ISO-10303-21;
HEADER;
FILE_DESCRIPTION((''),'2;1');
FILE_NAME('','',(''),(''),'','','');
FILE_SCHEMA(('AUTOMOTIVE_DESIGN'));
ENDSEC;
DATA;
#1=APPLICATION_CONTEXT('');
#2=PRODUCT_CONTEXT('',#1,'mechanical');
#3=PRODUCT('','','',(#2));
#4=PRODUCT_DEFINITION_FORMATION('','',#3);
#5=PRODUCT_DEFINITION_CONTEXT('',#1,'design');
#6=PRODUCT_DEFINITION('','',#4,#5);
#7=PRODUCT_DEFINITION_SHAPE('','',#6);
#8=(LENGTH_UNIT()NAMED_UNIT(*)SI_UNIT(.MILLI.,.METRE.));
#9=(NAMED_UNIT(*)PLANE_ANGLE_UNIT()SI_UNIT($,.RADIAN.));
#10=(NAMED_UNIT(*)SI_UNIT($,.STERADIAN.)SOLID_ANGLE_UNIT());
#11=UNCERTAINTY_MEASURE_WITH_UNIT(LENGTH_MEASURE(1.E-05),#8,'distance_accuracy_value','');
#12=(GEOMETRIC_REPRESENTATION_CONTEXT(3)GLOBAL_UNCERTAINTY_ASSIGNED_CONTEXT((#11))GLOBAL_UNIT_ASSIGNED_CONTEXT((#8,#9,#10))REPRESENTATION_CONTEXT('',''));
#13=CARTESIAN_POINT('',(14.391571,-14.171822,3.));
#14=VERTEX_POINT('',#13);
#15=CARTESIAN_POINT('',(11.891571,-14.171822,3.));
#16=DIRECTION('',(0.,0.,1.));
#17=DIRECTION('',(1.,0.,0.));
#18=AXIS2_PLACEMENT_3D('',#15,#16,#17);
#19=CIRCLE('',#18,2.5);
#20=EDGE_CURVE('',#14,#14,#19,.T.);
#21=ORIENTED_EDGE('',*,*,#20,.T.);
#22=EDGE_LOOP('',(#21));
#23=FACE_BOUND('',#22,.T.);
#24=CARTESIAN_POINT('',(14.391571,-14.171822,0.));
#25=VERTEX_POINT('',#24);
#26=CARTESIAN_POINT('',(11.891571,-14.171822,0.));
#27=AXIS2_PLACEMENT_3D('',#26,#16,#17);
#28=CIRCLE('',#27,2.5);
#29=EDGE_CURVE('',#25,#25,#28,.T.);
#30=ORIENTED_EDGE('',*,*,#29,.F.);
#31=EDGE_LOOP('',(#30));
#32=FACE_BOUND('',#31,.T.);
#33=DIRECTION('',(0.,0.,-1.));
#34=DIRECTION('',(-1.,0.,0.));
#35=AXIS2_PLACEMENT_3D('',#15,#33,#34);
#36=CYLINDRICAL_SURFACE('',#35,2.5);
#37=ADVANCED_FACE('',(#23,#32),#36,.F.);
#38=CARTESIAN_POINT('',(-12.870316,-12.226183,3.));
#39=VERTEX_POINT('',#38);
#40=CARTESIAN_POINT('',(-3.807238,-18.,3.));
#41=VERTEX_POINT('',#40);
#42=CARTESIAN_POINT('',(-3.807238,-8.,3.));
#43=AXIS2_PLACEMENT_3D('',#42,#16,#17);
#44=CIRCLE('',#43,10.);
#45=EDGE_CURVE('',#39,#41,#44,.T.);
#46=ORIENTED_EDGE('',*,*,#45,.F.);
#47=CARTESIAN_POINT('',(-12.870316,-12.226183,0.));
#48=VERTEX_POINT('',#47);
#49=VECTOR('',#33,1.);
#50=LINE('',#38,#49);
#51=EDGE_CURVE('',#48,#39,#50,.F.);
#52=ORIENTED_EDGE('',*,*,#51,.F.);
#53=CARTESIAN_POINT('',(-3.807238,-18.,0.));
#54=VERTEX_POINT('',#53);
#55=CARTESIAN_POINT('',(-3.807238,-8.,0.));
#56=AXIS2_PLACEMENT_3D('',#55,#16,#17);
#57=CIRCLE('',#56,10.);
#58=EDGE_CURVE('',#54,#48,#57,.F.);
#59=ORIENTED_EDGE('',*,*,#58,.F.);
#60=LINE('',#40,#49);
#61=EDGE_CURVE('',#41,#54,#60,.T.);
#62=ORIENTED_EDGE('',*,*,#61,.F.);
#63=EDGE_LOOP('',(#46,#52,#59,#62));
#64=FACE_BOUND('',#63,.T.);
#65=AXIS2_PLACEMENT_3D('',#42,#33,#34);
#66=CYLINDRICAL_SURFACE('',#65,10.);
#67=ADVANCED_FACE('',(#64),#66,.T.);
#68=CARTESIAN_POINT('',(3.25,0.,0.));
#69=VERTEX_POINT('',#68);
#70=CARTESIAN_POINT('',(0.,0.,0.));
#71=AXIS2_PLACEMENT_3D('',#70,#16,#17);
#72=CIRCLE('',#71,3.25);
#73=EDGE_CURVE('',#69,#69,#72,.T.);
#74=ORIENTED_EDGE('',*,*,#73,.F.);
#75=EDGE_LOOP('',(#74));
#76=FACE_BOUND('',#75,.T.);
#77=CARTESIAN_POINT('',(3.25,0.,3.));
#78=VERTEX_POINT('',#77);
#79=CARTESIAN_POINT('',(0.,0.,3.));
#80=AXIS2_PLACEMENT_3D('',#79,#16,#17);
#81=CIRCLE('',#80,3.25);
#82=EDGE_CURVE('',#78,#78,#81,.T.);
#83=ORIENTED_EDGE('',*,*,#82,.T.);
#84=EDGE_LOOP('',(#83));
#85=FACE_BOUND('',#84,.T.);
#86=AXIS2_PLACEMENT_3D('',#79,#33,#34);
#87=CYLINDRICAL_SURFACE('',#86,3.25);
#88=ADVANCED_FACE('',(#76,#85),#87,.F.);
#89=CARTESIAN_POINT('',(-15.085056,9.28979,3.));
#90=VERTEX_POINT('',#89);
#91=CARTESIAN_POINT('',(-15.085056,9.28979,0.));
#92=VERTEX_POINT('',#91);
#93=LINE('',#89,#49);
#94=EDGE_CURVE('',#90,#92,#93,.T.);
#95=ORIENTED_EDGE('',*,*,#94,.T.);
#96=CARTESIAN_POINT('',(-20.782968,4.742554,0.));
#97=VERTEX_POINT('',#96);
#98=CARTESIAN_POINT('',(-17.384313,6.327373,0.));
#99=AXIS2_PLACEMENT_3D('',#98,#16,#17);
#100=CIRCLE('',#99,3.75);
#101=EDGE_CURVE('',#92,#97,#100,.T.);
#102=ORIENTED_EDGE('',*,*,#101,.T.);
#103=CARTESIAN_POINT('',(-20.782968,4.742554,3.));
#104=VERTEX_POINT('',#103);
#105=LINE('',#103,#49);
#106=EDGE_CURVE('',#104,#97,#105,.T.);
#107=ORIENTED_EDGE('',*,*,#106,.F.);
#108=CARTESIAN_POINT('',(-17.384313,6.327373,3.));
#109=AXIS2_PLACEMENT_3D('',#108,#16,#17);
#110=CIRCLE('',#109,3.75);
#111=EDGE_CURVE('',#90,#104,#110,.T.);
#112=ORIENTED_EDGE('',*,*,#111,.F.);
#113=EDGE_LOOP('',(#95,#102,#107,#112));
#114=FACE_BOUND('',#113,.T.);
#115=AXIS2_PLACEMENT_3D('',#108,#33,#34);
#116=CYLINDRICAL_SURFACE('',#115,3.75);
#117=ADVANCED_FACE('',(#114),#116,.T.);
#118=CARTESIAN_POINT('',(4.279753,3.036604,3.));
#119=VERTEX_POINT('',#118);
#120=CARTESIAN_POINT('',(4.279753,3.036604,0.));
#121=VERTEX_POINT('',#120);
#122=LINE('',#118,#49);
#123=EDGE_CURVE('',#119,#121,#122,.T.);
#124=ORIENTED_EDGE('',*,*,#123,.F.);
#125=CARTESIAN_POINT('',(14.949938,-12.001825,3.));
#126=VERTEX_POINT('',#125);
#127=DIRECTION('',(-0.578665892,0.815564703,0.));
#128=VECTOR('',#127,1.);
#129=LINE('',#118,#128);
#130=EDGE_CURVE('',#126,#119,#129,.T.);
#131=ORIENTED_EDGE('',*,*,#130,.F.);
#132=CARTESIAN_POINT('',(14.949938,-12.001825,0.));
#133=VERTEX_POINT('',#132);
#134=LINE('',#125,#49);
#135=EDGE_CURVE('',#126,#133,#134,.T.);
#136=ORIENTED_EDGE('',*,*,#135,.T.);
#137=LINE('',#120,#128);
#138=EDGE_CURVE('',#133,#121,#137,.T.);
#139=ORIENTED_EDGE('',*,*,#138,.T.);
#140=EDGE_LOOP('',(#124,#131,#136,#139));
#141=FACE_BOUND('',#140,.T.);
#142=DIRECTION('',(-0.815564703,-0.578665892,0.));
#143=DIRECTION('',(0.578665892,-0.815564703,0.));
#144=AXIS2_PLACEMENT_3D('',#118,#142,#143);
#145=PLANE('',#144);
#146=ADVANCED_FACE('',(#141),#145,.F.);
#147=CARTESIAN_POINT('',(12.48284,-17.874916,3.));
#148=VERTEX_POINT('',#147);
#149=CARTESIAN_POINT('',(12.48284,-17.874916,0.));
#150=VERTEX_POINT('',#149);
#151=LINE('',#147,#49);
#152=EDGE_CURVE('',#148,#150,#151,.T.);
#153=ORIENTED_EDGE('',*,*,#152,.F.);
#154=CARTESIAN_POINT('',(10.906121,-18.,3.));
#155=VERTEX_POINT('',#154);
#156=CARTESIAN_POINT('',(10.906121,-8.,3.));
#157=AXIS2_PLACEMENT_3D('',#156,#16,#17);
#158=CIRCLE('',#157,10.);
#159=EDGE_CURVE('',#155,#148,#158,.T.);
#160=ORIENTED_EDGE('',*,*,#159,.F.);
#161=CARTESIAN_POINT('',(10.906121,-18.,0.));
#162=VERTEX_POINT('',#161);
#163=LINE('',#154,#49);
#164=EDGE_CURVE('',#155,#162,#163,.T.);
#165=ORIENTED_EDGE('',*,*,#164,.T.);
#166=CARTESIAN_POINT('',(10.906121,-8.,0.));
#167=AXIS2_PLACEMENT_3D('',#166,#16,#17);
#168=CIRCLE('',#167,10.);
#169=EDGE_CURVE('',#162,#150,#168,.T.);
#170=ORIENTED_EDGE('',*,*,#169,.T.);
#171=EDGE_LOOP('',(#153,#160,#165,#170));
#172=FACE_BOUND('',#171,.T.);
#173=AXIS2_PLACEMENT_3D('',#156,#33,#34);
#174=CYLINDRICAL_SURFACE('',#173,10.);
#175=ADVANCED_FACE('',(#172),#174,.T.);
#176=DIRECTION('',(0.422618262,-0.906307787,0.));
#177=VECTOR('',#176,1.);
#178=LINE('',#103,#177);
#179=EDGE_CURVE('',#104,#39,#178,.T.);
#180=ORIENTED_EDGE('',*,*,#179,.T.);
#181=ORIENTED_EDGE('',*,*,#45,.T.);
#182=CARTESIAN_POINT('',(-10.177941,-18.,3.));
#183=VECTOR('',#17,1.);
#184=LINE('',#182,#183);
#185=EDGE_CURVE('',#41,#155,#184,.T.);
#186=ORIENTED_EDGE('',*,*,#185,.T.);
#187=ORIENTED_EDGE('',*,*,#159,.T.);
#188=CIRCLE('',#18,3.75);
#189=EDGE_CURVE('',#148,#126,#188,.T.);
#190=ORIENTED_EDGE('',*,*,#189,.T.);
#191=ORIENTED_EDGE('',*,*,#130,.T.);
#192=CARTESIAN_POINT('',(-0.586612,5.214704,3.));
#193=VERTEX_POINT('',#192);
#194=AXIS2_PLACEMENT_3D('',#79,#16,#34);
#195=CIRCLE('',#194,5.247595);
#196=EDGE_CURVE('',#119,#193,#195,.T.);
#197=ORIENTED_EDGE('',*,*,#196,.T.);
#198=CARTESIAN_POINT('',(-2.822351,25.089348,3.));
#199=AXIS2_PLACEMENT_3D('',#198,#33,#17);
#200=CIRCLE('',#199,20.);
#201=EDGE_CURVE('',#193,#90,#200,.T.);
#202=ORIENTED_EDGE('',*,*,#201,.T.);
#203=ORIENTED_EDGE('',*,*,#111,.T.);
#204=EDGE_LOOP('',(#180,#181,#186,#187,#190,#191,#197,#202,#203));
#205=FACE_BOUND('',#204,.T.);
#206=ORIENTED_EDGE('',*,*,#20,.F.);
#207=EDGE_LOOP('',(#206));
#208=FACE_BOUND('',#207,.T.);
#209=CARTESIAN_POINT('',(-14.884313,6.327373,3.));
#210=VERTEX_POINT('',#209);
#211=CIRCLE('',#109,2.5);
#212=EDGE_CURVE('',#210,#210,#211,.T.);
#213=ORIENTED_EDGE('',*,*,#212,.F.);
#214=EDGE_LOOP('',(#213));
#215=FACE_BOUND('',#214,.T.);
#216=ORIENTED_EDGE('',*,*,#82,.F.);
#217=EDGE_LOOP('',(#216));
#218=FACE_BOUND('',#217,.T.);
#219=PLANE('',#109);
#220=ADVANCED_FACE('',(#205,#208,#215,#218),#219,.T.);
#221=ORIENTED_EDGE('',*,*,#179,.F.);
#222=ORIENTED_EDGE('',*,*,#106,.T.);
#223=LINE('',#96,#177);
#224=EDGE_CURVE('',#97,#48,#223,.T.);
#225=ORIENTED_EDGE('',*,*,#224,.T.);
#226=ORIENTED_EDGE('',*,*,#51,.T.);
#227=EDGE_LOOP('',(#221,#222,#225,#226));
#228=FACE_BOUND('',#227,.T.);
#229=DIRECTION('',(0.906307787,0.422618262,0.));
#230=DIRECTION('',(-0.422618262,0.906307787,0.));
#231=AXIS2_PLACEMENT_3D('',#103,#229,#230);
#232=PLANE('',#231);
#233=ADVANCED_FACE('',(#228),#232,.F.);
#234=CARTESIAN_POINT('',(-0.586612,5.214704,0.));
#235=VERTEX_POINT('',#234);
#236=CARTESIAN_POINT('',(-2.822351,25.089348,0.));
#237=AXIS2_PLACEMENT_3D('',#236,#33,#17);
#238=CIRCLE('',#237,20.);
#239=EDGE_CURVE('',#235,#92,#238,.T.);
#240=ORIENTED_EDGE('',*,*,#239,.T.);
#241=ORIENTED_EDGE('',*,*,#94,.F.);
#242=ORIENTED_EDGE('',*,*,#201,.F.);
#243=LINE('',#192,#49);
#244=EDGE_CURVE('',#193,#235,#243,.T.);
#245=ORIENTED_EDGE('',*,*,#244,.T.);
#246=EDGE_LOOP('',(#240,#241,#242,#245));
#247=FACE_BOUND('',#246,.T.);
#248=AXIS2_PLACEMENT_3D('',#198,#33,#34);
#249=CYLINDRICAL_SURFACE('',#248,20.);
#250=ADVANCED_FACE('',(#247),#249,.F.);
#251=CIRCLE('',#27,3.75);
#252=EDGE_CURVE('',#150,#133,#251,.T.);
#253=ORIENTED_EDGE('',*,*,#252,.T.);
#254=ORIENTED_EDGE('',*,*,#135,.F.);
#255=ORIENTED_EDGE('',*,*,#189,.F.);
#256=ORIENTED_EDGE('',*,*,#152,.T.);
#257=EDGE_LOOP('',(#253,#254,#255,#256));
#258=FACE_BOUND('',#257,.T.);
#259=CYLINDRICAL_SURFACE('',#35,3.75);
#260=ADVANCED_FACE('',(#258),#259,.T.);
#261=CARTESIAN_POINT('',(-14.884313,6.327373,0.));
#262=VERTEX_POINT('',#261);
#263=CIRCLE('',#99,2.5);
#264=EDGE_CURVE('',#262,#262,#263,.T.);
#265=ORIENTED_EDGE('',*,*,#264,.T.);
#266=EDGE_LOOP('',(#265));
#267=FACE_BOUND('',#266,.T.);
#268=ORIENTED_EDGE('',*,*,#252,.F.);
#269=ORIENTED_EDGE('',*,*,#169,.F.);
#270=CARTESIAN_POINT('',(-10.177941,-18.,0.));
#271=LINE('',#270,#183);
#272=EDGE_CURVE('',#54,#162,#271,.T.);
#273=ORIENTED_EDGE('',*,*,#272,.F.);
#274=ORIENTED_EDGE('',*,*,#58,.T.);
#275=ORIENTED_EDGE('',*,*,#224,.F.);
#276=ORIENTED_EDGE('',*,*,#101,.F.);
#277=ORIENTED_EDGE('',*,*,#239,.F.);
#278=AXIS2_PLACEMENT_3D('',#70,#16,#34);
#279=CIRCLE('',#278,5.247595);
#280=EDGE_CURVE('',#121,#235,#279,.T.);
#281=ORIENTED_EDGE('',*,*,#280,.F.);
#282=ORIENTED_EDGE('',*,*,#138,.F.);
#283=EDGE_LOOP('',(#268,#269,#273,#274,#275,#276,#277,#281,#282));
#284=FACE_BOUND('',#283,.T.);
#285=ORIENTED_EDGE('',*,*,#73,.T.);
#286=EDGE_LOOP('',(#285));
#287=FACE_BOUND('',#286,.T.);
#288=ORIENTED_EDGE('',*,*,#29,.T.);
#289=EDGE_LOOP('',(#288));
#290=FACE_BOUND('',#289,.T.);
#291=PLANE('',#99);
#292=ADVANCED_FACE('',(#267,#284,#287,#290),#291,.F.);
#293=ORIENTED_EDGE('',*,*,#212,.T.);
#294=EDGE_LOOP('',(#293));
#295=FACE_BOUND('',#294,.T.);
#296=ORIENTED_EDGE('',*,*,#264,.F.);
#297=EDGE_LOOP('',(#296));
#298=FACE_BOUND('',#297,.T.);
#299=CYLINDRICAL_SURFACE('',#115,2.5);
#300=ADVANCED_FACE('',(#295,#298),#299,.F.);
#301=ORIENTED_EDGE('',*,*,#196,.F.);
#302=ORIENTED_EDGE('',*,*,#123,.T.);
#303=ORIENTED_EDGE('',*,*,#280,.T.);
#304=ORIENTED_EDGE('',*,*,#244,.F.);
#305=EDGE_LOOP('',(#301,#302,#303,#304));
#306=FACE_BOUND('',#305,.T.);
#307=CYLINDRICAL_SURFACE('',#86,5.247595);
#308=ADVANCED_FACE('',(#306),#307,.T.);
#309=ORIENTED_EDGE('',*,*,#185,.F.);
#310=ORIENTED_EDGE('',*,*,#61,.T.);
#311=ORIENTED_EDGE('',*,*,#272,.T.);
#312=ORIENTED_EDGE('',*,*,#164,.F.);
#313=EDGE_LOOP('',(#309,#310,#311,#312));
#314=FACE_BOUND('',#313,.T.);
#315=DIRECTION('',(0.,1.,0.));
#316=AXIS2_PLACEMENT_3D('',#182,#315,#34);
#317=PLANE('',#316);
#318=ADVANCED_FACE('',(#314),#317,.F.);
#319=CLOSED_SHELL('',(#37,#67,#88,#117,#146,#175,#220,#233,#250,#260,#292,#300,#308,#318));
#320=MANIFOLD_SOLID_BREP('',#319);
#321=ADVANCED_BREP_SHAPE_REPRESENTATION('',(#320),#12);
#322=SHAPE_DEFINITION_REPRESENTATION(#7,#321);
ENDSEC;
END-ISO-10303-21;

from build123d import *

# Parameters (mm, degrees)
SKETCH1_R           = 2.5
SKETCH1_R_2         = 3.25
BOSS_EXTRUDE1_DEPTH = 3
FILLET1_R           = 10


with BuildPart() as part:
    # Sketch1 → Boss-Extrude1 (new body)
    with BuildSketch(Plane.XY):
        with BuildLine():
            Line((-10.17794051, -18), (10.906121257, -18))
            ThreePointArc((10.906121257, -18), (11.696957788, -17.968679831), (12.482840492, -17.874915516))
            ThreePointArc((12.482840492, -17.874915516), (15.348919612, -15.624144149), (14.949938417, -12.001825103))
            Line((14.949938417, -12.001825103), (4.279753476, 3.036604394))
            ThreePointArc((4.279753476, 3.036604394), (2.143793972, 4.789718516), (-0.586612431, 5.214704394))
            ThreePointArc((-0.586612431, 5.214704394), (-8.234060053, 5.835429339), (-15.085056175, 9.289789878))
            ThreePointArc((-15.085056175, 9.289789878), (-19.723438647, 9.258412309), (-20.782967686, 4.74255417))
            Line((-20.782967686, 4.74255417), (-10.17794051, -18))
        make_face()
        with Locations((-17.384313485, 6.327372652)):
            Circle(SKETCH1_R, mode=Mode.SUBTRACT)
        with Locations((11.891570779, -14.171822198)):
            Circle(SKETCH1_R, mode=Mode.SUBTRACT)
        Circle(SKETCH1_R_2, mode=Mode.SUBTRACT)
    extrude(amount=BOSS_EXTRUDE1_DEPTH)

    # Fillet1
    fillet1_edges = [part.edges().sort_by_distance(p)[0] for p in [
        (-10.17794051, -18, 1.5),
    ]]
    fillet(fillet1_edges, radius=FILLET1_R)


solid = part.part
